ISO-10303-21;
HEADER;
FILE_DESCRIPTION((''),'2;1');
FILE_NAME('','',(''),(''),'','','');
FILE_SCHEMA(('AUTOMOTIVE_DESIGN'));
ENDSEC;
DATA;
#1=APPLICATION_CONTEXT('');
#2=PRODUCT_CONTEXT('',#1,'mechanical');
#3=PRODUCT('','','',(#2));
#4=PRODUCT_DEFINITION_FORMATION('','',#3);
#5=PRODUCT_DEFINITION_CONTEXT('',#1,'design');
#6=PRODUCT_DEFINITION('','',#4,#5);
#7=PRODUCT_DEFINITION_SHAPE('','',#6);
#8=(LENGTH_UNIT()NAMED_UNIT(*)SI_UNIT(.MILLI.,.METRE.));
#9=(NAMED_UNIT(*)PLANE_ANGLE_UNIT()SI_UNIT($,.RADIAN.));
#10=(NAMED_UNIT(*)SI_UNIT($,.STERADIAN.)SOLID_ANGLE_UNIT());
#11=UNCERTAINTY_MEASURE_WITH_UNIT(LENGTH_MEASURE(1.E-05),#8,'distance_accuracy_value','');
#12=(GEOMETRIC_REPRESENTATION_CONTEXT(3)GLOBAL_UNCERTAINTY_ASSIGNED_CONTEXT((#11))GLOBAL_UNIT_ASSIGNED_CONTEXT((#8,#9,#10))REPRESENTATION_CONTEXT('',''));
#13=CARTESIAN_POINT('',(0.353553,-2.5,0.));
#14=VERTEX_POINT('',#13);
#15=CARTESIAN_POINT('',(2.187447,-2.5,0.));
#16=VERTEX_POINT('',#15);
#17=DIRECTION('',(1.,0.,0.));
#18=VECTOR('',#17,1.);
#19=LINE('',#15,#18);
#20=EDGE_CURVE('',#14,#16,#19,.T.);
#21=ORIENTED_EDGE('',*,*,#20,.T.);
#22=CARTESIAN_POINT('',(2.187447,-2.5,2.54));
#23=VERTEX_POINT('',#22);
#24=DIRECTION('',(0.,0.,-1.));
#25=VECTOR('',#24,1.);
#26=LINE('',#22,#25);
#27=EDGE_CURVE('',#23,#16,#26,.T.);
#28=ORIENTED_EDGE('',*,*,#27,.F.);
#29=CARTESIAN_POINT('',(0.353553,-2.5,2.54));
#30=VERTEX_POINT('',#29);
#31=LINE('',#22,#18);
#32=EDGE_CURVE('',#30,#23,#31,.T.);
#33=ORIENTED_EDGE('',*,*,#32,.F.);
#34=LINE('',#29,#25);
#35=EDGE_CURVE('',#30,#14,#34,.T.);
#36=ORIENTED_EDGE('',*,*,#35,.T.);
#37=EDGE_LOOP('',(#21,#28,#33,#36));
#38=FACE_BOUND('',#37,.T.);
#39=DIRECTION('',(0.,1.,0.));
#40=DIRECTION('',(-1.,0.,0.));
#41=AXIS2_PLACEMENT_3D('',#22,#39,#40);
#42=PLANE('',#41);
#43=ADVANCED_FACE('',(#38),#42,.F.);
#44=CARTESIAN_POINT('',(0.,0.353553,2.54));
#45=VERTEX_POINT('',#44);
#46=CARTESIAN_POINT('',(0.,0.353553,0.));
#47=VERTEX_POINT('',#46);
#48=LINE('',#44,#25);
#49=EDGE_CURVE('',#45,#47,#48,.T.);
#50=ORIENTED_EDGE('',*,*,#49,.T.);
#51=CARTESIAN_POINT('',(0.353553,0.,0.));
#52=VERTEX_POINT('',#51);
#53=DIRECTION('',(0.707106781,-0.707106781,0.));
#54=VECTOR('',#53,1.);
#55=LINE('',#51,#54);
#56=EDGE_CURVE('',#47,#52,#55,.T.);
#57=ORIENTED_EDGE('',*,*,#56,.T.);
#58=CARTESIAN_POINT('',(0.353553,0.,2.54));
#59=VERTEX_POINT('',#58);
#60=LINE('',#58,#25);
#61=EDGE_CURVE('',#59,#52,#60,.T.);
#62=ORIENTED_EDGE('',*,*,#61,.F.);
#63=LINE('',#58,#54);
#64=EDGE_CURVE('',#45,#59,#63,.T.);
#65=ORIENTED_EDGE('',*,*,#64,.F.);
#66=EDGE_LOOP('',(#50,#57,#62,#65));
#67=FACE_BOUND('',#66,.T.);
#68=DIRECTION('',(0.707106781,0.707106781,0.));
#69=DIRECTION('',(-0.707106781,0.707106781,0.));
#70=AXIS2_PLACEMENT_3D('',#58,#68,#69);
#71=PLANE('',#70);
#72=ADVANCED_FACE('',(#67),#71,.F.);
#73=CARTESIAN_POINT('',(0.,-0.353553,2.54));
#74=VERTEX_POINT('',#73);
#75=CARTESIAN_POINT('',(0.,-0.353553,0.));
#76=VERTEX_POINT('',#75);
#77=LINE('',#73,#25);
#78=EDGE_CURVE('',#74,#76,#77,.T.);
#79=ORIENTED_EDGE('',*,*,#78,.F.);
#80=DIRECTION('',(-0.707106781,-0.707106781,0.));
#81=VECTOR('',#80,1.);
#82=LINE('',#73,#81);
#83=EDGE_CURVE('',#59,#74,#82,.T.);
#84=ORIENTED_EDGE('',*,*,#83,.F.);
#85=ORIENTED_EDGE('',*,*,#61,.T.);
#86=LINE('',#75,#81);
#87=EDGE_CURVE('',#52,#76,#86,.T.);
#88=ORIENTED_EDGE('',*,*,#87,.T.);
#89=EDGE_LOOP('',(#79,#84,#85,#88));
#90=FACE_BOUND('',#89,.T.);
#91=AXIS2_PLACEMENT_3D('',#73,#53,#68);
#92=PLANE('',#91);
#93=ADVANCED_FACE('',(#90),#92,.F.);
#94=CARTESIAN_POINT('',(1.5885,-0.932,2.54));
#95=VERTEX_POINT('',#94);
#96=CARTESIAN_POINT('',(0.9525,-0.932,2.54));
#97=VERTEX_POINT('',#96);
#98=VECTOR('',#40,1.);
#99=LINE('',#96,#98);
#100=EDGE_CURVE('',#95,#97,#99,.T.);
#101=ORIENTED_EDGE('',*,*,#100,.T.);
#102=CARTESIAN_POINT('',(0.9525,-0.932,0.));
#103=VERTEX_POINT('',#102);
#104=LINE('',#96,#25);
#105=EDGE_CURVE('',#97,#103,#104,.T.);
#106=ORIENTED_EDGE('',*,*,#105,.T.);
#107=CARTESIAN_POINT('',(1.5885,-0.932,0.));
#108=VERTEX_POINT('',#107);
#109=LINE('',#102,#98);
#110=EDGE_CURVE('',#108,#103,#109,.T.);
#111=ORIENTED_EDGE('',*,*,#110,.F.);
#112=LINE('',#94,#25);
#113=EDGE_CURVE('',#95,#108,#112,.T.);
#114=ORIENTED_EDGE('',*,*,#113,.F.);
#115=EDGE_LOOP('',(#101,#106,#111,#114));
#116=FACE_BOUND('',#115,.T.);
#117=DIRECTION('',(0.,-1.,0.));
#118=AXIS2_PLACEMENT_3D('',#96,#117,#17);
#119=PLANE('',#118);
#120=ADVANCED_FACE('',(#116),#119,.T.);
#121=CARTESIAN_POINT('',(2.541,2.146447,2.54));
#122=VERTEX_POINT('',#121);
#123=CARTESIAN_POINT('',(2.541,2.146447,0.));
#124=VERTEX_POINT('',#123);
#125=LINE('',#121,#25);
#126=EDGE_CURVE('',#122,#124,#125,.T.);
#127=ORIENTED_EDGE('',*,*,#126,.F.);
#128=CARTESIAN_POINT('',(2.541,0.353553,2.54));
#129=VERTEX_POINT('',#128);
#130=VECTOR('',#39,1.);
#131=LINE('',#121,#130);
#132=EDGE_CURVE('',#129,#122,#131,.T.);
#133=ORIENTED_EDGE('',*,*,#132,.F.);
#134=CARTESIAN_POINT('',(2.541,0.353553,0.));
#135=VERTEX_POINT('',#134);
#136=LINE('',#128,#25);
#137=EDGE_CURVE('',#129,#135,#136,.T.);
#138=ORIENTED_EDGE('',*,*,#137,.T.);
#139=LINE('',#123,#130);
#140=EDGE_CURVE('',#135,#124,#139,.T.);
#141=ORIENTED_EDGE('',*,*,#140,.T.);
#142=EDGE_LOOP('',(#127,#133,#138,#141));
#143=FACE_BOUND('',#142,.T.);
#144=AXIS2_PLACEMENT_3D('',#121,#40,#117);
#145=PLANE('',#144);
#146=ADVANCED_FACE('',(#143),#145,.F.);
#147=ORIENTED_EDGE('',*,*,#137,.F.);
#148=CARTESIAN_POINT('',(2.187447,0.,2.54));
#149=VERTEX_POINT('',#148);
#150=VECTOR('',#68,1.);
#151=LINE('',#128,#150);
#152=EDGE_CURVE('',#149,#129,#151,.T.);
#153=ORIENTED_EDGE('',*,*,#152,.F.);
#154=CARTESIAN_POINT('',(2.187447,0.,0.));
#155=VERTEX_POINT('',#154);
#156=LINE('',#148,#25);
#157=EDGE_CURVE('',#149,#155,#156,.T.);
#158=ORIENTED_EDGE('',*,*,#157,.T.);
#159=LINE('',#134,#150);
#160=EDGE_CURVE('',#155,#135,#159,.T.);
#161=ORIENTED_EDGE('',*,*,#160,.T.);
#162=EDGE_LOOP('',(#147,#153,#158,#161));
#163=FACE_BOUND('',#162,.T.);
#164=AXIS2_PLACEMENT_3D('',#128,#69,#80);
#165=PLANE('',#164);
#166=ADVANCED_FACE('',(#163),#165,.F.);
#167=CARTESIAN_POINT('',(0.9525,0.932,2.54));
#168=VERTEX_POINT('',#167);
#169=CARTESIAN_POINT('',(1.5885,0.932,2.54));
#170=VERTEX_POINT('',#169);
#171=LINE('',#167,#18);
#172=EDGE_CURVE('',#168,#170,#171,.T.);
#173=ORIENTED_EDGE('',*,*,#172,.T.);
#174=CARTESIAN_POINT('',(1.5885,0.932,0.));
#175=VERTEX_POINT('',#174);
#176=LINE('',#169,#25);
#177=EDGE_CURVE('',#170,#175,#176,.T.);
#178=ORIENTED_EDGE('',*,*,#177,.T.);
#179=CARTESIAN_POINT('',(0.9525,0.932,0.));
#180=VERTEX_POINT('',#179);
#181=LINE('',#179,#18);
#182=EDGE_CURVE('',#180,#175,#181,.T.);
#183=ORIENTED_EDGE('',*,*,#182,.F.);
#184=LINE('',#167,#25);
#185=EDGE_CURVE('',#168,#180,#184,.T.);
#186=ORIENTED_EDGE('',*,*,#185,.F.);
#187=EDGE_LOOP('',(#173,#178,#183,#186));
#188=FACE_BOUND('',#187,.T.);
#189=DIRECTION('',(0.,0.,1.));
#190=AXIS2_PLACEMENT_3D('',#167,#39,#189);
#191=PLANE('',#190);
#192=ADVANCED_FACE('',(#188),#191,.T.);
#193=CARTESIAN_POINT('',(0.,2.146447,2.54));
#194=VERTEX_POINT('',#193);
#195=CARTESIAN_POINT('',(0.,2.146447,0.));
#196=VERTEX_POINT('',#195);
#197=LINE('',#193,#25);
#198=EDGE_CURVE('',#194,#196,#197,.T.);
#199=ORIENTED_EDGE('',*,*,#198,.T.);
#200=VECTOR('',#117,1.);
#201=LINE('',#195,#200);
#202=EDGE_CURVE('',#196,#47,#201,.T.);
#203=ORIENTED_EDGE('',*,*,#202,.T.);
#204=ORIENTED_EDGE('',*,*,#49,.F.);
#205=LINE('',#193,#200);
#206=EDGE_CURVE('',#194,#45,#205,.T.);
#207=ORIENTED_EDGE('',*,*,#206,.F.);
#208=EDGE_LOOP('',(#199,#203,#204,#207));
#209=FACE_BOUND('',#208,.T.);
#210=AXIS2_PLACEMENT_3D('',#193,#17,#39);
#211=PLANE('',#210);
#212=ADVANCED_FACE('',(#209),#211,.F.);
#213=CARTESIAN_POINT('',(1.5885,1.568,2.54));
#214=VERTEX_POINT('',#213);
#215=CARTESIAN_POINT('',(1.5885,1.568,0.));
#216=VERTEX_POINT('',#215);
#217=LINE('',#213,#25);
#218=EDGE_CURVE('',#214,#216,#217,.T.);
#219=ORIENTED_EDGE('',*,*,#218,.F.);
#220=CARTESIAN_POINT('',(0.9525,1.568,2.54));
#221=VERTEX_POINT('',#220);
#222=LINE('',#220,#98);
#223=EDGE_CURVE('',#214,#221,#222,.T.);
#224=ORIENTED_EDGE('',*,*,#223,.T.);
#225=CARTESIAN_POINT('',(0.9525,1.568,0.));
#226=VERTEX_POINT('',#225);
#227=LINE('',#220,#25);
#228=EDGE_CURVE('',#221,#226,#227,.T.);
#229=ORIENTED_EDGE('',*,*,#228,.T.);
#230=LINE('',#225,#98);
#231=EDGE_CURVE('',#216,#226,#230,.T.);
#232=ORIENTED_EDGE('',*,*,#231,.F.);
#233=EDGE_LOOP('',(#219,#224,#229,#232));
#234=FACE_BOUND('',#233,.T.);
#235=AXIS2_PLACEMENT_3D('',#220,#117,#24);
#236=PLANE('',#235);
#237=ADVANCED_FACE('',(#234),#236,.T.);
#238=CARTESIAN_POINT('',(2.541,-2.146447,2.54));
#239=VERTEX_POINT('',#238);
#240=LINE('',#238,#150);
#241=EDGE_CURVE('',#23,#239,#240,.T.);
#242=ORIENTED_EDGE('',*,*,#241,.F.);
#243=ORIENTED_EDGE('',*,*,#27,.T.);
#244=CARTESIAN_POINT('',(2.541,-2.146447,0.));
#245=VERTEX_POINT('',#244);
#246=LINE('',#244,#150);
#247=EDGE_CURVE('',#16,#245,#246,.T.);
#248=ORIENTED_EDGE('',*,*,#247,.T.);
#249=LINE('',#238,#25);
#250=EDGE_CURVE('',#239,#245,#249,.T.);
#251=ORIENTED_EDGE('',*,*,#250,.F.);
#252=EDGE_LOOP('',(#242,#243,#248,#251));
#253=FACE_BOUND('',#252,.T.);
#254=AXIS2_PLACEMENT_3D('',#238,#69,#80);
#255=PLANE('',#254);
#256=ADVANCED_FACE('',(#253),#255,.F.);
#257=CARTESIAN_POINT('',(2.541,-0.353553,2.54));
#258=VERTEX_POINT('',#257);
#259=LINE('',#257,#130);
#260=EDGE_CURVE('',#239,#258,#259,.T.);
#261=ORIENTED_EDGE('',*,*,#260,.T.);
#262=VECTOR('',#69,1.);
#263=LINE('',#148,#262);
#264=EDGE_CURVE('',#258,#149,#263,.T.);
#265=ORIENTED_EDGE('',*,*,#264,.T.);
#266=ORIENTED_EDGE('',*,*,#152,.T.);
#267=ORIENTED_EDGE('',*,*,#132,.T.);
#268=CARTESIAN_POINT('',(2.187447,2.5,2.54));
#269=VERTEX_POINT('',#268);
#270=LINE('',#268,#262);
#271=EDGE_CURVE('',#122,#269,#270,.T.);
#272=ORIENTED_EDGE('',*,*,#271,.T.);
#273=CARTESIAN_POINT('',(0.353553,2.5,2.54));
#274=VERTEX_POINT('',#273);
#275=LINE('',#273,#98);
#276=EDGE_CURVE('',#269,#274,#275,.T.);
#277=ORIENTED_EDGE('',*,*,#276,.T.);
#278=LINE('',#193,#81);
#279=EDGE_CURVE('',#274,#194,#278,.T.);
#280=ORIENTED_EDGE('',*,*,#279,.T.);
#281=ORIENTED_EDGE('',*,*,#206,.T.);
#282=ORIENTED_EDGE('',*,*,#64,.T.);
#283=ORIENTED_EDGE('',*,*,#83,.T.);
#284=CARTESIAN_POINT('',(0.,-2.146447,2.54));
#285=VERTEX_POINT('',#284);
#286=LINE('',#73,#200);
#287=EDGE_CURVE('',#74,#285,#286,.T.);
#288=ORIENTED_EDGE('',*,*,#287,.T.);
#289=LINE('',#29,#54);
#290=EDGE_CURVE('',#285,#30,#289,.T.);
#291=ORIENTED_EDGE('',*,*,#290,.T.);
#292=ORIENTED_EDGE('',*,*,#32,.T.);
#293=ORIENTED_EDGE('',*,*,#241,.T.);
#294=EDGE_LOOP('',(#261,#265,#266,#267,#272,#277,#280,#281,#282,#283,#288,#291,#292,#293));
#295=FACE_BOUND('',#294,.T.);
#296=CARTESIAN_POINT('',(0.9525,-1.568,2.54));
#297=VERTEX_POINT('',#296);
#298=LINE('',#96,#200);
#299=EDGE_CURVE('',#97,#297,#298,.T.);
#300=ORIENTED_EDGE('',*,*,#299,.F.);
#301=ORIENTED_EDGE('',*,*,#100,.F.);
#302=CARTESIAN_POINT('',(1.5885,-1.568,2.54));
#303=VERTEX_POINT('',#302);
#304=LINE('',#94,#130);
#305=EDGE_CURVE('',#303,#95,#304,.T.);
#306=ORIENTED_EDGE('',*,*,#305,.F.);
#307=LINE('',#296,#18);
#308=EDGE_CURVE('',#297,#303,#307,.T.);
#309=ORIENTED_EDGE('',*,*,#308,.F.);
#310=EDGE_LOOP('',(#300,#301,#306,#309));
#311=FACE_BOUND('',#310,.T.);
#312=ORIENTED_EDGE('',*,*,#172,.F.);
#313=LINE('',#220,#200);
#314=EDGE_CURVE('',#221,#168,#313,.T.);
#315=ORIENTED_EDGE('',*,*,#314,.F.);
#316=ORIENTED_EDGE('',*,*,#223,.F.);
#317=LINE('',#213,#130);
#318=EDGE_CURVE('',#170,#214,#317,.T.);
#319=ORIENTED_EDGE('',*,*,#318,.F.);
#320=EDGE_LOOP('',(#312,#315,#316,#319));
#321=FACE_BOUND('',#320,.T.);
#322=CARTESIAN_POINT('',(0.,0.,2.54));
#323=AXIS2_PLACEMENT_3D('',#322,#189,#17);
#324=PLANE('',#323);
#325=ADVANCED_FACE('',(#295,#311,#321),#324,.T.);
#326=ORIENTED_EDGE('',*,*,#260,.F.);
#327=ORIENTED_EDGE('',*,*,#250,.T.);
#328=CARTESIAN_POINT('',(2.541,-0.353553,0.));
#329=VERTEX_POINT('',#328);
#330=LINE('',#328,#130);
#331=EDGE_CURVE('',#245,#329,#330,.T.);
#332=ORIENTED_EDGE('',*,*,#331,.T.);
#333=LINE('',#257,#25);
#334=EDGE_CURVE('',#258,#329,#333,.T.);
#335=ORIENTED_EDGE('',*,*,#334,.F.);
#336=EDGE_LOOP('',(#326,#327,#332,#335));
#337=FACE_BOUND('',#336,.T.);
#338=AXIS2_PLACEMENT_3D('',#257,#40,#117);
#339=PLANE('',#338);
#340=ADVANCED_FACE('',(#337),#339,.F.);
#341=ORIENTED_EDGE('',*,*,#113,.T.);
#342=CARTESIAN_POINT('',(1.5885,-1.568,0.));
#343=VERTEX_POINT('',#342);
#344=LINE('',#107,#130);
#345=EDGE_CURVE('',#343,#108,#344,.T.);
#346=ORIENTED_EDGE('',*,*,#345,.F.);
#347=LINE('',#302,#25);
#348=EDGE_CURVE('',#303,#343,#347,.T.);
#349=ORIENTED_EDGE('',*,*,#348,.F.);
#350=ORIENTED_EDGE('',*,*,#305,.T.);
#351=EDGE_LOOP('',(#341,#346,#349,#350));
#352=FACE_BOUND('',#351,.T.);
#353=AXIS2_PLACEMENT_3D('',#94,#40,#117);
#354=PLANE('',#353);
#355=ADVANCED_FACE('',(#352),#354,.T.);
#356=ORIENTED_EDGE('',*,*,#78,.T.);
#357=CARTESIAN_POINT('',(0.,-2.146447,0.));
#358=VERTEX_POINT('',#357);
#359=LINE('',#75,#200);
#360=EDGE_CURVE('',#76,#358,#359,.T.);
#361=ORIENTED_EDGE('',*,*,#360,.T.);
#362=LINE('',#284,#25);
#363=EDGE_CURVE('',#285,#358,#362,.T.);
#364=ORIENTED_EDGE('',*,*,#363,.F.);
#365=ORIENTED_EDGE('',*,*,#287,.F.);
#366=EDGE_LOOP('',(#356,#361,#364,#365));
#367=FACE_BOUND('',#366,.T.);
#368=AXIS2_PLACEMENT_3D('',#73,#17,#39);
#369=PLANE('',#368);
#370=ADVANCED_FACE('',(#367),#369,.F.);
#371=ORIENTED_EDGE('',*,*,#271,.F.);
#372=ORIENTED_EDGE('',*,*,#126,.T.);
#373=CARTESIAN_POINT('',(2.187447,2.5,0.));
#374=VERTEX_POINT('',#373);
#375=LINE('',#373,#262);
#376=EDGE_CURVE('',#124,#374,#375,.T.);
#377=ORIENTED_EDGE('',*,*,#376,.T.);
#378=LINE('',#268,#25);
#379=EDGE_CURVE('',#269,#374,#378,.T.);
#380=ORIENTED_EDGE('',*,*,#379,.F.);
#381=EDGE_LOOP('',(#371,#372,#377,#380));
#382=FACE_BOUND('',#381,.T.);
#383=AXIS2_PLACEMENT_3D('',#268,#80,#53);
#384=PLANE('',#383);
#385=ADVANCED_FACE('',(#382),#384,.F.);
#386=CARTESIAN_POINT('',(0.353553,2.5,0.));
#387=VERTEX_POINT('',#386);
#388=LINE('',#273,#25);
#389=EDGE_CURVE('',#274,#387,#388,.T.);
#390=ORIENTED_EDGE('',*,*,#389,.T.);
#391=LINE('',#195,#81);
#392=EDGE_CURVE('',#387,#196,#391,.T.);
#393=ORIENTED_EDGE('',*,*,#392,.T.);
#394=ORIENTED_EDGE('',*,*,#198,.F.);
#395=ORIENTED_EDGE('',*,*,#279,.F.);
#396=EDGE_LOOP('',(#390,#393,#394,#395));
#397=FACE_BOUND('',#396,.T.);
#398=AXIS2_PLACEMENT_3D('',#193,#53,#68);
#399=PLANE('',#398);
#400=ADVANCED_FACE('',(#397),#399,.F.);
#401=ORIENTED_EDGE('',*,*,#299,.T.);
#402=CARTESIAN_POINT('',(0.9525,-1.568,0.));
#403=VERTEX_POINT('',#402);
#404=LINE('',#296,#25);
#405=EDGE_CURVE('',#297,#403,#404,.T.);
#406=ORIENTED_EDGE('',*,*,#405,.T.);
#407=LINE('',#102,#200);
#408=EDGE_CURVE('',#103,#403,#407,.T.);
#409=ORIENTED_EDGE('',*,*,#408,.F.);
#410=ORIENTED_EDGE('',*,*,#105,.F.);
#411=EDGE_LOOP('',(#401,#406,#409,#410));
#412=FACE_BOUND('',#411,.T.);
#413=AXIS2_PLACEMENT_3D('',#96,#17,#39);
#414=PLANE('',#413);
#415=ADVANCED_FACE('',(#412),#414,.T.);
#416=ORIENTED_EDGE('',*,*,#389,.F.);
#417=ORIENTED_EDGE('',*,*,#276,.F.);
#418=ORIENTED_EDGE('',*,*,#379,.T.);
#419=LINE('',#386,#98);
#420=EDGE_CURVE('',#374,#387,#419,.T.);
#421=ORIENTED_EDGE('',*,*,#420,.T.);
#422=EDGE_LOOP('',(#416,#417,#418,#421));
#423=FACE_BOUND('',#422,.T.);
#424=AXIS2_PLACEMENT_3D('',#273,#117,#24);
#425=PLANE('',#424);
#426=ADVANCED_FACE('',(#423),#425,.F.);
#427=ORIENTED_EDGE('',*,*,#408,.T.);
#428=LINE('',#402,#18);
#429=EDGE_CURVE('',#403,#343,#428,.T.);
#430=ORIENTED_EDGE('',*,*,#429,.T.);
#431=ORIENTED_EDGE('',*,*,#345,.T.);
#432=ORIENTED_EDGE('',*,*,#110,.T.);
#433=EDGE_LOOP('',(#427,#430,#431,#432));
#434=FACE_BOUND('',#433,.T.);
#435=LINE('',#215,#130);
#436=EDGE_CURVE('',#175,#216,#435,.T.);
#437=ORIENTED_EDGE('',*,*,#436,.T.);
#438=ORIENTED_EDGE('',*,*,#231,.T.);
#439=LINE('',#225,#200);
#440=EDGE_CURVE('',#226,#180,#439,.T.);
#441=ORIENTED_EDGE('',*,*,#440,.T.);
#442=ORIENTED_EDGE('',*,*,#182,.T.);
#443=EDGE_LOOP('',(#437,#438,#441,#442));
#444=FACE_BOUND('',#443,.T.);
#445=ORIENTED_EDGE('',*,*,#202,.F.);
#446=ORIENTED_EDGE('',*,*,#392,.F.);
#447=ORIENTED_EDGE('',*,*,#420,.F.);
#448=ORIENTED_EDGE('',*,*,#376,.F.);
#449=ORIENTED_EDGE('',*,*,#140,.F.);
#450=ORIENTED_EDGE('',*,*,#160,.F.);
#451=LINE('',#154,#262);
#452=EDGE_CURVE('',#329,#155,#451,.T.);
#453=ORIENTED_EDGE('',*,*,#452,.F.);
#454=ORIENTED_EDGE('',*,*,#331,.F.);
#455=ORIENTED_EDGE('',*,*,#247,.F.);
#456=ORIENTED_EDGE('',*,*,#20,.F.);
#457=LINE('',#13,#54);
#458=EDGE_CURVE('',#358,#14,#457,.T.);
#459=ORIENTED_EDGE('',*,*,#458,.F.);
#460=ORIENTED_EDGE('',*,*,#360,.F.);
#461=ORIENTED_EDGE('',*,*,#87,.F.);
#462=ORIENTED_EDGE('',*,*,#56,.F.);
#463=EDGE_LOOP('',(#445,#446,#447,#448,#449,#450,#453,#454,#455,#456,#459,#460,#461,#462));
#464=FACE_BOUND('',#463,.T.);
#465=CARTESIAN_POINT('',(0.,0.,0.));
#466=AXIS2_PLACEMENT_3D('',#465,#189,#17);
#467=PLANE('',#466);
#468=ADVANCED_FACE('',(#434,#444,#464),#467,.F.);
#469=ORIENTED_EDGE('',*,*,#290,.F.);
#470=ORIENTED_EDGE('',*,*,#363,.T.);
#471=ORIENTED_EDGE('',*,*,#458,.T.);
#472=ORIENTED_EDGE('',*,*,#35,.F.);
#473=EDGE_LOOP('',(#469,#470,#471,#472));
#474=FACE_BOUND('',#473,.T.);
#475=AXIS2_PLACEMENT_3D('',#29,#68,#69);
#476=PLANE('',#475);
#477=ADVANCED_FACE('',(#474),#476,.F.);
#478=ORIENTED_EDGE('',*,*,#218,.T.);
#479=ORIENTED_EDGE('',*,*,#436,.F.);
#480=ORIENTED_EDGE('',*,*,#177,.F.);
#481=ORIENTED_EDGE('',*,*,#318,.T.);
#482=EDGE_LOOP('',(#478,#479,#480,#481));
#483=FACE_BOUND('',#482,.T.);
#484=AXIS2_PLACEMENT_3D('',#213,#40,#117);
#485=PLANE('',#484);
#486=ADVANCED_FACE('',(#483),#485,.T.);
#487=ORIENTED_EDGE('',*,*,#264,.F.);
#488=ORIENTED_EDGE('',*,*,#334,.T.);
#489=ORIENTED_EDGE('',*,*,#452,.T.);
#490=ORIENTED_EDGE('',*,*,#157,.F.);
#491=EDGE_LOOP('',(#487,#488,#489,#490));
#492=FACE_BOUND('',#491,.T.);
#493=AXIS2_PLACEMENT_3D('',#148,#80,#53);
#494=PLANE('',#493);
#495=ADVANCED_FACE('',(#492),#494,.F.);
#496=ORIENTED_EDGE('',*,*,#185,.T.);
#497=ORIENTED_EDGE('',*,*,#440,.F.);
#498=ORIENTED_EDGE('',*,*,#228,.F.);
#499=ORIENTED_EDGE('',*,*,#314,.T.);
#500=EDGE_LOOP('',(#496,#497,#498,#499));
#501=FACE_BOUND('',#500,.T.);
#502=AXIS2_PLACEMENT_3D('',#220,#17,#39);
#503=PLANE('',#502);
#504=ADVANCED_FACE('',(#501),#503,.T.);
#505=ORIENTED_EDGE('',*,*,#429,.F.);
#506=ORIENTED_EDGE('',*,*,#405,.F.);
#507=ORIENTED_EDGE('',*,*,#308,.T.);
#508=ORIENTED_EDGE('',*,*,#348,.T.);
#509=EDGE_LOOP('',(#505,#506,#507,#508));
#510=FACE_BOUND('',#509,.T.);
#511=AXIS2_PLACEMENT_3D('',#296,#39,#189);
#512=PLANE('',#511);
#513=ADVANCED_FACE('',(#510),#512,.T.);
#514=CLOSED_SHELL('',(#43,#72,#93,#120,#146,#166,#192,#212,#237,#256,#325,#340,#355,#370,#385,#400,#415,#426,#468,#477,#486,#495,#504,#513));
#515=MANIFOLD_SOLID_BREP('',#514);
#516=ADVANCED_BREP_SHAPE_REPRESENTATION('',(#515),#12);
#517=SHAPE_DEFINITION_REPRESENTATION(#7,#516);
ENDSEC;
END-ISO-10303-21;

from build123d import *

# Parameters (mm, degrees)
PIN_BODY_W          = 0.636
PIN_BODY_H          = 0.636
BOSS_EXTRUDE1_DEPTH = 2.54


with BuildPart() as part:
    # pin_body → Boss-Extrude1 (new body)
    with BuildSketch(Plane.XY):
        Polygon((0, 2.146446609), (0, 0.353553391), (0.353553391, 0), (0, -0.353553391), (0, -2.146446609), (0.353553391, -2.5), (2.187446609, -2.5), (2.541, -2.146446609), (2.541, -0.353553391), (2.187446609, 0), (2.541, 0.353553391), (2.541, 2.146446609), (2.187446609, 2.5), (0.353553391, 2.5), align=None)
        with Locations((1.2705, -1.25)):
            Rectangle(PIN_BODY_W, PIN_BODY_H, mode=Mode.SUBTRACT)
        with Locations((1.2705, 1.25)):
            Rectangle(PIN_BODY_W, PIN_BODY_H, mode=Mode.SUBTRACT)
    extrude(amount=BOSS_EXTRUDE1_DEPTH)


solid = part.part
